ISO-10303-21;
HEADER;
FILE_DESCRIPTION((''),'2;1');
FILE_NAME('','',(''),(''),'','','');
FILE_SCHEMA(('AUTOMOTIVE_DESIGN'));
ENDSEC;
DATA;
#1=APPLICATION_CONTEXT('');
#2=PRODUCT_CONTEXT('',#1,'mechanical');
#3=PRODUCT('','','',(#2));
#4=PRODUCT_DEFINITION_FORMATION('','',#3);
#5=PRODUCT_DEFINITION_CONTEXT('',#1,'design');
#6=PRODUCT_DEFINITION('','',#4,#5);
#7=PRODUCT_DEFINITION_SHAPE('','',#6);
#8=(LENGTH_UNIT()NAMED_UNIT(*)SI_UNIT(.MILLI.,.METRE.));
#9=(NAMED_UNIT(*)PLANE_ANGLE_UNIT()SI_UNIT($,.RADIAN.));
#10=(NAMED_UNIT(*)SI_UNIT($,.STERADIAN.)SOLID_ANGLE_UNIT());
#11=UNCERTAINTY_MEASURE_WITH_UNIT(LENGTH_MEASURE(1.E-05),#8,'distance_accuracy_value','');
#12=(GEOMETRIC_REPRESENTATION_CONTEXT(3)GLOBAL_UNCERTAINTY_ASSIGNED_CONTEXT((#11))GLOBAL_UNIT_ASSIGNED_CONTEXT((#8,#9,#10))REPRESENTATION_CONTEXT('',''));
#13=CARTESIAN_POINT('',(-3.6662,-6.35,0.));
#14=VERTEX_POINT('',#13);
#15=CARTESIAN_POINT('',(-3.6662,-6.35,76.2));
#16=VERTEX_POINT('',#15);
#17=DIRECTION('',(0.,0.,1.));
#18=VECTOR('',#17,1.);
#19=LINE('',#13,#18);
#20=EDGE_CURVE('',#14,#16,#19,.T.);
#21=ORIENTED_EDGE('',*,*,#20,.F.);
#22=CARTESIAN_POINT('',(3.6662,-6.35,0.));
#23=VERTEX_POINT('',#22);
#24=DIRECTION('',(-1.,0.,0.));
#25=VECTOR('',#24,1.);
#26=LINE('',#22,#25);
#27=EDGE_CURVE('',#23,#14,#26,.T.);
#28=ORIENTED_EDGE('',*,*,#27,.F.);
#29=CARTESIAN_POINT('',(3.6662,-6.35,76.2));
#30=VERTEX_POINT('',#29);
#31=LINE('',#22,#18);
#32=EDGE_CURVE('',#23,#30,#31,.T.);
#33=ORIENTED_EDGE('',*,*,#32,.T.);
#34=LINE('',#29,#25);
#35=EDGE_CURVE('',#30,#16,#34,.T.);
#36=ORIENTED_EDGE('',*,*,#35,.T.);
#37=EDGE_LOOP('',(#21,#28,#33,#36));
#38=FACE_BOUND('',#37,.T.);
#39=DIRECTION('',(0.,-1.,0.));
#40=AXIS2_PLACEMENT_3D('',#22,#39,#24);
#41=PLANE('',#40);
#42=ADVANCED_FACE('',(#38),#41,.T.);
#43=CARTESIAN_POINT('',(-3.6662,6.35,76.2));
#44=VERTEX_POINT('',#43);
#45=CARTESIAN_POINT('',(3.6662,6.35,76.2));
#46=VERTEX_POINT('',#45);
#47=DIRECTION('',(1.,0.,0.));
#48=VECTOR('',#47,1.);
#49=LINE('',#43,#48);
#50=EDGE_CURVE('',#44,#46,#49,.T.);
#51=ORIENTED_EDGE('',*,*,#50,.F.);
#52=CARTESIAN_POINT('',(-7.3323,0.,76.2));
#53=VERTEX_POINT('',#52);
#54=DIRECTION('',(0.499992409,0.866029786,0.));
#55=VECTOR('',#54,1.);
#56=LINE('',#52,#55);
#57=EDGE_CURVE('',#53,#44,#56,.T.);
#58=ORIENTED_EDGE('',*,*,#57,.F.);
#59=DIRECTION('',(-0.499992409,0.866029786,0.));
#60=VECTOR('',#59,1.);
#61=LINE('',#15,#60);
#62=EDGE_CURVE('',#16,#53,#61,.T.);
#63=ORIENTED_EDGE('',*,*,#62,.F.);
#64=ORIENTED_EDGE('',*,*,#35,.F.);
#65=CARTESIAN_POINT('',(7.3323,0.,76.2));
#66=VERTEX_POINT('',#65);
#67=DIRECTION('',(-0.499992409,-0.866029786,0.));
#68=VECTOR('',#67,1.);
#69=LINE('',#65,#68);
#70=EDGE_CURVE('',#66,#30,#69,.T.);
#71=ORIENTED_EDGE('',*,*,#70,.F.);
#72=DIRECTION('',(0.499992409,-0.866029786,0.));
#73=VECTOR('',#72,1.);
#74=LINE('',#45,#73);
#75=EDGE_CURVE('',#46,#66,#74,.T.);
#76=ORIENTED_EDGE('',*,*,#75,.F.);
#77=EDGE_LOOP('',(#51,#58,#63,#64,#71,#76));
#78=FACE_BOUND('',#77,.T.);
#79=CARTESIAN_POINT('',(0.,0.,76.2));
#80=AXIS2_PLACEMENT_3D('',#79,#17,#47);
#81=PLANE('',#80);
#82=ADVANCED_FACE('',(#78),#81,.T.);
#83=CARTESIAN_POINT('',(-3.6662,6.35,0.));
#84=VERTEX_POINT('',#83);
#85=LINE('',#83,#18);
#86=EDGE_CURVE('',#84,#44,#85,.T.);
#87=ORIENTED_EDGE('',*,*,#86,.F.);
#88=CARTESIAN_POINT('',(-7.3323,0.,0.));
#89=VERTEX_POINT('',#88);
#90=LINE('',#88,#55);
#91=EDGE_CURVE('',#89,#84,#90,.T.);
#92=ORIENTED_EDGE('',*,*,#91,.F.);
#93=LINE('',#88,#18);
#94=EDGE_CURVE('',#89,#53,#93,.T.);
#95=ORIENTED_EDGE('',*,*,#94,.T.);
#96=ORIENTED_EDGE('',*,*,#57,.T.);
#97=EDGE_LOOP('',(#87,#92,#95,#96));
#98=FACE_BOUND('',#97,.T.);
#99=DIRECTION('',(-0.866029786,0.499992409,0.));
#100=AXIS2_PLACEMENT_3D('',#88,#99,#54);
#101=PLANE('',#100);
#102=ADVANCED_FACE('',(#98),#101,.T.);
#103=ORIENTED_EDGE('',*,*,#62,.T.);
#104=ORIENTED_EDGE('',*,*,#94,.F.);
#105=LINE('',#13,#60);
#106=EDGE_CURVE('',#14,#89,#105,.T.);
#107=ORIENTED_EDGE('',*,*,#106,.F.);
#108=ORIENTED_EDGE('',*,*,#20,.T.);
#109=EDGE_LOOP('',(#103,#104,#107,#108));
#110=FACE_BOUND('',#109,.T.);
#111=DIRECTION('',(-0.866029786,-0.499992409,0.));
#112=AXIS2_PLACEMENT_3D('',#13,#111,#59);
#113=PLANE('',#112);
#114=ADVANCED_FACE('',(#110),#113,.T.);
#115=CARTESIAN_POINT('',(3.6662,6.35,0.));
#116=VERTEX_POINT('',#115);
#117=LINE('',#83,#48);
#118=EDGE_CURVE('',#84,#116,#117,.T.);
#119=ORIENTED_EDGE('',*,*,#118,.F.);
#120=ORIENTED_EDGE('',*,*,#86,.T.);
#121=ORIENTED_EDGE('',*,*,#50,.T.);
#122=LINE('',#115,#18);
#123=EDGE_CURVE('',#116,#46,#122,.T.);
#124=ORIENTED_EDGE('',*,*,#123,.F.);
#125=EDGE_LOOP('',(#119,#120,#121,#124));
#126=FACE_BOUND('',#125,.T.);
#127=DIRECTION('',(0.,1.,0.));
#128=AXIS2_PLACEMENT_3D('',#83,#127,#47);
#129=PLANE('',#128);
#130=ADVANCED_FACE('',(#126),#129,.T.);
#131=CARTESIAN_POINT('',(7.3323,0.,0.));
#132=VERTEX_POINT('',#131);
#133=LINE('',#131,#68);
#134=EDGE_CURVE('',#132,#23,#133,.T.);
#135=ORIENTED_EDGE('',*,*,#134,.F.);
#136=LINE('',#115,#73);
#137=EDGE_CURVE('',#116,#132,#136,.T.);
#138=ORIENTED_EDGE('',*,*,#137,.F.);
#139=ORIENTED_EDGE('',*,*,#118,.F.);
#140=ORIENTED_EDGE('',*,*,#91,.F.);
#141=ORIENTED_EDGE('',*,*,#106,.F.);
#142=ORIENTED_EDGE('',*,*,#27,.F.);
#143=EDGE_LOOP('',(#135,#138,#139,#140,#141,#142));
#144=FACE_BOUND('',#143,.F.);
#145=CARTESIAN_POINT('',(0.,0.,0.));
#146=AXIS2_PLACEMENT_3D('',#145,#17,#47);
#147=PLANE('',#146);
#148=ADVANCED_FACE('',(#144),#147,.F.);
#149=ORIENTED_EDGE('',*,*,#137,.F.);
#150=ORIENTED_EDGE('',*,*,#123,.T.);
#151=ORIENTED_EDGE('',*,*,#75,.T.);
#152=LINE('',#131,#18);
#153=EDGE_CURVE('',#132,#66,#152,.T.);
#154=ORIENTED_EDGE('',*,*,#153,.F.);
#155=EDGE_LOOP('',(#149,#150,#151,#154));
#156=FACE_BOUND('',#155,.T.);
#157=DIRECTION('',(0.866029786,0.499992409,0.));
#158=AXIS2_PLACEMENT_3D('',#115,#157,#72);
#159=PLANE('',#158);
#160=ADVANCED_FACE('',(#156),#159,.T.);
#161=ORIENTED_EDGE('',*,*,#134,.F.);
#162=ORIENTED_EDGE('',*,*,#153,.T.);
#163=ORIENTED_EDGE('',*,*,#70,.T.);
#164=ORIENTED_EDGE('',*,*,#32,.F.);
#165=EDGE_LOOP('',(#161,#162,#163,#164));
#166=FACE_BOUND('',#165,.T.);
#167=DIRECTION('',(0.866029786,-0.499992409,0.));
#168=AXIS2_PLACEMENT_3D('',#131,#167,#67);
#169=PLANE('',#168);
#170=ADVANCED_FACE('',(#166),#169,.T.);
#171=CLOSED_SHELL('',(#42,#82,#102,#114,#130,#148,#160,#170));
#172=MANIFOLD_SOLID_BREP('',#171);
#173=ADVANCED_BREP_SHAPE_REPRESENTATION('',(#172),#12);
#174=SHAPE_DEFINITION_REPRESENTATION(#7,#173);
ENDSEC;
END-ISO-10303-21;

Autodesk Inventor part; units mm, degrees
ref_plane "YZ Plane" through (0, 0, 0) normal (1, 0, 0) x (0, 1, 0)
ref_plane "XZ Plane" through (0, 0, 0) normal (0, 1, 0) x (-1, 0, 0)
ref_plane "XY Plane" through (0, 0, 0) normal (0, 0, 1) x (1, 0, 0)
sketch "Sketch1" plane through (0, 0, 0) normal (0, 0, 1) x (1, 0, 0)
  line L0 (-3.6662, 6.35) -> (3.6662, 6.35)
  line L1 (3.6662, 6.35) -> (7.3323, 0)
  line L2 (7.3323, 0) -> (3.6662, -6.35)
  line L3 (3.6662, -6.35) -> (-3.6662, -6.35)
  line L4 (-3.6662, -6.35) -> (-7.3323, 0)
  line L5 (-7.3323, 0) -> (-3.6662, 6.35)
  point P0 (0, 0)
  point P1 (0, 0)
  dimension "d0" = 12.7
extrude "Extrusion1" add sketch "Sketch1" along normal blind 76.2
properties part number "small hex axle top elevator"
